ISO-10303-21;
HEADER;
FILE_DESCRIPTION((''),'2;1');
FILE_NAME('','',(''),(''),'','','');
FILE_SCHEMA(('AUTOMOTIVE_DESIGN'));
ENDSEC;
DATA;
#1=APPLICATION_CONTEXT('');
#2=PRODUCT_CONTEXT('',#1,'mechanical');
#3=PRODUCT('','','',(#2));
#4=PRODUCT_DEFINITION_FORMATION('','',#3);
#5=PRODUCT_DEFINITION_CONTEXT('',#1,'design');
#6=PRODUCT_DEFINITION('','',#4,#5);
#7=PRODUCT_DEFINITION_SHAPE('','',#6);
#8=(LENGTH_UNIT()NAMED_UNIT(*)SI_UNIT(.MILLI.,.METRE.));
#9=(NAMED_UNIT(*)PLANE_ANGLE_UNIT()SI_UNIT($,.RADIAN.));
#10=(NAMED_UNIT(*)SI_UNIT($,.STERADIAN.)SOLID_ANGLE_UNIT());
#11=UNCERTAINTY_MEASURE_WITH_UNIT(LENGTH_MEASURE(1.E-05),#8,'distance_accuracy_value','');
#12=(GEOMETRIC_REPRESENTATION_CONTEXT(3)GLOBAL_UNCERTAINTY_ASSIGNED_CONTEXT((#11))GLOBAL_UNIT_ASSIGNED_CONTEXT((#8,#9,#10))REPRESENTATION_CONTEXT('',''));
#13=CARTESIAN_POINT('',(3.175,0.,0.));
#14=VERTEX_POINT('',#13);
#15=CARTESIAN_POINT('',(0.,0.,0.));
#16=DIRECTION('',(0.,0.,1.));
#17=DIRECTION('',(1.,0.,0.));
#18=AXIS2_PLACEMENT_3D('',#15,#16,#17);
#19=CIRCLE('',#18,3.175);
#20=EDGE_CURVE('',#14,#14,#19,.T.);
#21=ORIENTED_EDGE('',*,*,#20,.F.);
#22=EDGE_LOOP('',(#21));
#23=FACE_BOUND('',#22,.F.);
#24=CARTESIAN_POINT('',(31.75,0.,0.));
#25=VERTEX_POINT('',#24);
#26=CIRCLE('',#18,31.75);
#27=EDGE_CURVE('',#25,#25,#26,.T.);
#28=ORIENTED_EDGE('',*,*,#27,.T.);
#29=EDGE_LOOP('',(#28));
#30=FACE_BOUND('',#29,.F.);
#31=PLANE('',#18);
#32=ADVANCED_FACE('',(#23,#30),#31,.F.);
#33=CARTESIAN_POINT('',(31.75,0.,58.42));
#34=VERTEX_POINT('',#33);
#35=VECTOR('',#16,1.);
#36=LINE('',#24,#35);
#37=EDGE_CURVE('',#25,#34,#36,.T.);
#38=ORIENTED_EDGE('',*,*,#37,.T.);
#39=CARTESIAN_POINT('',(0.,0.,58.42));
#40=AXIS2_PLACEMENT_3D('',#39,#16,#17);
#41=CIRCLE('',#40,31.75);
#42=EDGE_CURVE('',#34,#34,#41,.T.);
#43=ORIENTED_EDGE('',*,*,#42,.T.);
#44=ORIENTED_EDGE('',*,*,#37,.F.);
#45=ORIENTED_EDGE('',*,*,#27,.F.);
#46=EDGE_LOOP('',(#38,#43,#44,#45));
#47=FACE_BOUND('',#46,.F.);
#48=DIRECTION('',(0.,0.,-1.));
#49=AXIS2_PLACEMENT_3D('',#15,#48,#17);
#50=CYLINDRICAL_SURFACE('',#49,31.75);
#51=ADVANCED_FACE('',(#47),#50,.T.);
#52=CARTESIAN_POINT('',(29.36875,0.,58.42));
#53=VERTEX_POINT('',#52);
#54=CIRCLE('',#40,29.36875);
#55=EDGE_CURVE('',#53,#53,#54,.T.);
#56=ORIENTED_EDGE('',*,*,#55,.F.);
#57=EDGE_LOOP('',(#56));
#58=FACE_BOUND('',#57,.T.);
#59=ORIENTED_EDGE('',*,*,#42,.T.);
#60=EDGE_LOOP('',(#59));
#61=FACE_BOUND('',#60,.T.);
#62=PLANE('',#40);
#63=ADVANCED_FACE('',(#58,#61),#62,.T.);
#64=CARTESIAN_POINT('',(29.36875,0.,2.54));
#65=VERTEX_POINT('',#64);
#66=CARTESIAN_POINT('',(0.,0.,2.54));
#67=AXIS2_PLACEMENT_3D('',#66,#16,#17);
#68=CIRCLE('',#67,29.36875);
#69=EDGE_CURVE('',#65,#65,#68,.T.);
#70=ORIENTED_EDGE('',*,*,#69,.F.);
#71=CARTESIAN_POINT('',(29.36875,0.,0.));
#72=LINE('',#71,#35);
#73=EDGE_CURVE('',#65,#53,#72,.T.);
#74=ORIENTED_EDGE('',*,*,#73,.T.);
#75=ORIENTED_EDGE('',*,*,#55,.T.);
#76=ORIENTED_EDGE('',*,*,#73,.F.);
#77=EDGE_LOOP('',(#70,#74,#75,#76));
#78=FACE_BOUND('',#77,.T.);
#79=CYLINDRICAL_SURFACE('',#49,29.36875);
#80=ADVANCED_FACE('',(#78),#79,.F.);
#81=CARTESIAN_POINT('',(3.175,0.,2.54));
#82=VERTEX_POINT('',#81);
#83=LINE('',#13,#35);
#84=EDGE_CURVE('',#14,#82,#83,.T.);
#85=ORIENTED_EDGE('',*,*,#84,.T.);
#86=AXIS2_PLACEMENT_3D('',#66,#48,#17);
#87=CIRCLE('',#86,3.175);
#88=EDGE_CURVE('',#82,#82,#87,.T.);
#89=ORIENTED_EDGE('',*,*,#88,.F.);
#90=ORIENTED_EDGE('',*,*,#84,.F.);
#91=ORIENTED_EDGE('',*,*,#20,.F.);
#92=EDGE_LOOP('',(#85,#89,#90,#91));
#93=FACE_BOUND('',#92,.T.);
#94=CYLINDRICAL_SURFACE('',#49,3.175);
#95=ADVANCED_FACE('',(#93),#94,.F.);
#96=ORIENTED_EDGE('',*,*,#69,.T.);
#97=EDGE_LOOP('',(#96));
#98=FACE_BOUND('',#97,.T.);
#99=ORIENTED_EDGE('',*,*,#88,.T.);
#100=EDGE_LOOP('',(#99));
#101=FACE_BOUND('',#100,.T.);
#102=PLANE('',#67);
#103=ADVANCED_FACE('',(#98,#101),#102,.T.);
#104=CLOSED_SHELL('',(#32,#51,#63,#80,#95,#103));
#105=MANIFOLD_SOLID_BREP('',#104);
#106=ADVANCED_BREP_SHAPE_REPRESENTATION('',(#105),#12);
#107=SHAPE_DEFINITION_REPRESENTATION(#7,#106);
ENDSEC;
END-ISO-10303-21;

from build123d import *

# Parameters (mm, degrees)
F1_R     = 31.75
F1_R_2   = 29.36875
F2_DEPTH = 58.42
F0_R     = 29.36875
F4_DEPTH = 2.54
F5_R     = 3.175
F6_DEPTH = 58.421


with BuildPart() as f2:
    # F1 (on face) → F2 (new body)
    with BuildSketch(Plane.XY):
        Circle(F1_R)
        Circle(F1_R_2, mode=Mode.SUBTRACT)
    extrude(amount=F2_DEPTH)

    # F0 (on Top) → F4 (join)
    with BuildSketch(Plane.XY):
        Circle(F0_R)
    extrude(amount=F4_DEPTH)

    # F5 (on face) → F6 (cut, through all)
    with BuildSketch(Plane.XY):
        Circle(F5_R)
    extrude(amount=F6_DEPTH, mode=Mode.SUBTRACT)


solid = f2.part
